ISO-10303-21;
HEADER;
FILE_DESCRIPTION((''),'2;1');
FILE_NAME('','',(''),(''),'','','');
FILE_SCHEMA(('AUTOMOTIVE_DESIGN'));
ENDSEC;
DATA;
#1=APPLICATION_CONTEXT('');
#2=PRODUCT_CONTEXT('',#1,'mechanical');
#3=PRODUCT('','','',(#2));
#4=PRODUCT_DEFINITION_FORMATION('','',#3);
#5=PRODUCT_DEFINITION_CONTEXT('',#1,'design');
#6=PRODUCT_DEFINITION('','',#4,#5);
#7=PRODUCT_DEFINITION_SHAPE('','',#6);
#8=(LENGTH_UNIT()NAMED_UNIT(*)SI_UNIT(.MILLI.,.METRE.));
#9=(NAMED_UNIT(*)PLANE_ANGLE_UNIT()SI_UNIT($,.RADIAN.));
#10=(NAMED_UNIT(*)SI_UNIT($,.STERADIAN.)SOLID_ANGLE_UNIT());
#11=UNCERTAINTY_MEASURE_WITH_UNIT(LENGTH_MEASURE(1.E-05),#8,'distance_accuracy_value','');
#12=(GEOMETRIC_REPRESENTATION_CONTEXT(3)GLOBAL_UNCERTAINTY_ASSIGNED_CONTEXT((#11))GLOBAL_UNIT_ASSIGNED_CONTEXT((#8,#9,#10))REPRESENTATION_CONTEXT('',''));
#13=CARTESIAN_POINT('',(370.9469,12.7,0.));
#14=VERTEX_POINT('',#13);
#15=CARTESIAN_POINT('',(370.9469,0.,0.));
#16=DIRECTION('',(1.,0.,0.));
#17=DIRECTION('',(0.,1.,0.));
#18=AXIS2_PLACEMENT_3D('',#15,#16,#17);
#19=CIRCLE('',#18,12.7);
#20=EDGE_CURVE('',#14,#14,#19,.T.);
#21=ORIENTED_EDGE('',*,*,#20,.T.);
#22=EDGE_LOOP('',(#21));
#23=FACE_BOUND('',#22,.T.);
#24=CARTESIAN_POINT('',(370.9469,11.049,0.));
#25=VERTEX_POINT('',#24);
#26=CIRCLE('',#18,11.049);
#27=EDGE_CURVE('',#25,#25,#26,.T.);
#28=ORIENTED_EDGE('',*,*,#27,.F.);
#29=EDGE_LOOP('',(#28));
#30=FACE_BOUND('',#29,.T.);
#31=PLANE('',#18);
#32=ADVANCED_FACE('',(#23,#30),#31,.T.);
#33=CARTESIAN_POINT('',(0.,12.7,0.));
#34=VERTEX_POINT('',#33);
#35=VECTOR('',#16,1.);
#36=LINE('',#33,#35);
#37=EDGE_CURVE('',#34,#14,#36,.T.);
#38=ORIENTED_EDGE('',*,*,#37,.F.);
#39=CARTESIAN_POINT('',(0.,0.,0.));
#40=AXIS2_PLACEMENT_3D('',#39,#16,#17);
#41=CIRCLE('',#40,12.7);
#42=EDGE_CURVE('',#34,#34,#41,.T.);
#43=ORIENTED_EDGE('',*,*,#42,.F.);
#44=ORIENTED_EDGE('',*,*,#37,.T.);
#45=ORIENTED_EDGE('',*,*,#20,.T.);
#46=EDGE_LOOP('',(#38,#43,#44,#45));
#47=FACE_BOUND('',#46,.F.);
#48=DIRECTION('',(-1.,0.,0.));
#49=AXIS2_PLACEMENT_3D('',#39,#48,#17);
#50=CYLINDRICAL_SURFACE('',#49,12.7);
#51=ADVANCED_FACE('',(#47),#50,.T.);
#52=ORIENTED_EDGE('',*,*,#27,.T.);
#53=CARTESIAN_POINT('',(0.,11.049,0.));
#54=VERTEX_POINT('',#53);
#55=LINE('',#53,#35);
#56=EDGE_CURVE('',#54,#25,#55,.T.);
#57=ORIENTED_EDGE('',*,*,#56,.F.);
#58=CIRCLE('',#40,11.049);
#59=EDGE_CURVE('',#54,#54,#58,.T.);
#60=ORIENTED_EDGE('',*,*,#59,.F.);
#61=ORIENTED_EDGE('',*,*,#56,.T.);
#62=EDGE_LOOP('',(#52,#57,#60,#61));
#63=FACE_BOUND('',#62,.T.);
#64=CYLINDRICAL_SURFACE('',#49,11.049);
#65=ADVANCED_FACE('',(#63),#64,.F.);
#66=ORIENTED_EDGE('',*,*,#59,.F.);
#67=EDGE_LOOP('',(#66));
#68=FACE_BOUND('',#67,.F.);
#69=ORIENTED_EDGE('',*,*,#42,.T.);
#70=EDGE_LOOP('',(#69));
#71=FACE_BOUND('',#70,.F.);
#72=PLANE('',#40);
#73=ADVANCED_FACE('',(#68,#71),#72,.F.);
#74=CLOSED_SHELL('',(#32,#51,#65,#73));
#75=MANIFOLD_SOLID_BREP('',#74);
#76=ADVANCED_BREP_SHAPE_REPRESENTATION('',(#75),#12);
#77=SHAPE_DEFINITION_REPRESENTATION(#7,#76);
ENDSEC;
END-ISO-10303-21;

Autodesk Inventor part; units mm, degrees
ref_plane "XZ Plane" through (0, 0, 0) normal (0, 1, 0) x (-1, 0, 0)
ref_plane "Start Plane" through (0, 0, 0) normal (1, 0, 0) x (0, 1, 0)
ref_plane "End Plane" through (370.9469, 0, 0) normal (1, 0, 0) x (0, 1, 0)
sketch "Sketch" plane through (0, 0, 0) normal (1, 0, 0) x (0, 1, 0)
  circle A0 centre (0, 0) radius 12.7
  circle A1 centre (0, 0) radius 11.049
  dimension "d0" = 25.4
  dimension "d1" = 1.651
extrude "Body" add sketch "Sketch" along normal up to surface (370.9469 mm away) from surface at 0
sketch "Sketch2" plane through (0, 0, 0) normal (1, 0, 0) x (0, 1, 0)
  line L0 (0, 0) -> (10, 0)
ref_plane "Work Plane3" through (0, 0, 0) normal (0, 0, -1) x (0, 1, 0)
sketch "Sketch3" plane through (0, 0, 0) normal (0, 0, -1) x (0, 1, 0)
  line L0 (-2, 0) -> (12, 0)
  line L1 (-2, 370.9469) -> (12, 370.9469)
  dimension "d9" = 370.9469
equation "\"G_OFFSET_START\" = 0"
equation "\"G_OFFSET_END\" = 0"
equation "\"d5\" = d2 + G_OFFSET_END"
equation "\"G_L\" = d9"
equation "\"d2\" = 370.9469"
properties part number "4130_1x0.065" material "Steel, Alloy"
